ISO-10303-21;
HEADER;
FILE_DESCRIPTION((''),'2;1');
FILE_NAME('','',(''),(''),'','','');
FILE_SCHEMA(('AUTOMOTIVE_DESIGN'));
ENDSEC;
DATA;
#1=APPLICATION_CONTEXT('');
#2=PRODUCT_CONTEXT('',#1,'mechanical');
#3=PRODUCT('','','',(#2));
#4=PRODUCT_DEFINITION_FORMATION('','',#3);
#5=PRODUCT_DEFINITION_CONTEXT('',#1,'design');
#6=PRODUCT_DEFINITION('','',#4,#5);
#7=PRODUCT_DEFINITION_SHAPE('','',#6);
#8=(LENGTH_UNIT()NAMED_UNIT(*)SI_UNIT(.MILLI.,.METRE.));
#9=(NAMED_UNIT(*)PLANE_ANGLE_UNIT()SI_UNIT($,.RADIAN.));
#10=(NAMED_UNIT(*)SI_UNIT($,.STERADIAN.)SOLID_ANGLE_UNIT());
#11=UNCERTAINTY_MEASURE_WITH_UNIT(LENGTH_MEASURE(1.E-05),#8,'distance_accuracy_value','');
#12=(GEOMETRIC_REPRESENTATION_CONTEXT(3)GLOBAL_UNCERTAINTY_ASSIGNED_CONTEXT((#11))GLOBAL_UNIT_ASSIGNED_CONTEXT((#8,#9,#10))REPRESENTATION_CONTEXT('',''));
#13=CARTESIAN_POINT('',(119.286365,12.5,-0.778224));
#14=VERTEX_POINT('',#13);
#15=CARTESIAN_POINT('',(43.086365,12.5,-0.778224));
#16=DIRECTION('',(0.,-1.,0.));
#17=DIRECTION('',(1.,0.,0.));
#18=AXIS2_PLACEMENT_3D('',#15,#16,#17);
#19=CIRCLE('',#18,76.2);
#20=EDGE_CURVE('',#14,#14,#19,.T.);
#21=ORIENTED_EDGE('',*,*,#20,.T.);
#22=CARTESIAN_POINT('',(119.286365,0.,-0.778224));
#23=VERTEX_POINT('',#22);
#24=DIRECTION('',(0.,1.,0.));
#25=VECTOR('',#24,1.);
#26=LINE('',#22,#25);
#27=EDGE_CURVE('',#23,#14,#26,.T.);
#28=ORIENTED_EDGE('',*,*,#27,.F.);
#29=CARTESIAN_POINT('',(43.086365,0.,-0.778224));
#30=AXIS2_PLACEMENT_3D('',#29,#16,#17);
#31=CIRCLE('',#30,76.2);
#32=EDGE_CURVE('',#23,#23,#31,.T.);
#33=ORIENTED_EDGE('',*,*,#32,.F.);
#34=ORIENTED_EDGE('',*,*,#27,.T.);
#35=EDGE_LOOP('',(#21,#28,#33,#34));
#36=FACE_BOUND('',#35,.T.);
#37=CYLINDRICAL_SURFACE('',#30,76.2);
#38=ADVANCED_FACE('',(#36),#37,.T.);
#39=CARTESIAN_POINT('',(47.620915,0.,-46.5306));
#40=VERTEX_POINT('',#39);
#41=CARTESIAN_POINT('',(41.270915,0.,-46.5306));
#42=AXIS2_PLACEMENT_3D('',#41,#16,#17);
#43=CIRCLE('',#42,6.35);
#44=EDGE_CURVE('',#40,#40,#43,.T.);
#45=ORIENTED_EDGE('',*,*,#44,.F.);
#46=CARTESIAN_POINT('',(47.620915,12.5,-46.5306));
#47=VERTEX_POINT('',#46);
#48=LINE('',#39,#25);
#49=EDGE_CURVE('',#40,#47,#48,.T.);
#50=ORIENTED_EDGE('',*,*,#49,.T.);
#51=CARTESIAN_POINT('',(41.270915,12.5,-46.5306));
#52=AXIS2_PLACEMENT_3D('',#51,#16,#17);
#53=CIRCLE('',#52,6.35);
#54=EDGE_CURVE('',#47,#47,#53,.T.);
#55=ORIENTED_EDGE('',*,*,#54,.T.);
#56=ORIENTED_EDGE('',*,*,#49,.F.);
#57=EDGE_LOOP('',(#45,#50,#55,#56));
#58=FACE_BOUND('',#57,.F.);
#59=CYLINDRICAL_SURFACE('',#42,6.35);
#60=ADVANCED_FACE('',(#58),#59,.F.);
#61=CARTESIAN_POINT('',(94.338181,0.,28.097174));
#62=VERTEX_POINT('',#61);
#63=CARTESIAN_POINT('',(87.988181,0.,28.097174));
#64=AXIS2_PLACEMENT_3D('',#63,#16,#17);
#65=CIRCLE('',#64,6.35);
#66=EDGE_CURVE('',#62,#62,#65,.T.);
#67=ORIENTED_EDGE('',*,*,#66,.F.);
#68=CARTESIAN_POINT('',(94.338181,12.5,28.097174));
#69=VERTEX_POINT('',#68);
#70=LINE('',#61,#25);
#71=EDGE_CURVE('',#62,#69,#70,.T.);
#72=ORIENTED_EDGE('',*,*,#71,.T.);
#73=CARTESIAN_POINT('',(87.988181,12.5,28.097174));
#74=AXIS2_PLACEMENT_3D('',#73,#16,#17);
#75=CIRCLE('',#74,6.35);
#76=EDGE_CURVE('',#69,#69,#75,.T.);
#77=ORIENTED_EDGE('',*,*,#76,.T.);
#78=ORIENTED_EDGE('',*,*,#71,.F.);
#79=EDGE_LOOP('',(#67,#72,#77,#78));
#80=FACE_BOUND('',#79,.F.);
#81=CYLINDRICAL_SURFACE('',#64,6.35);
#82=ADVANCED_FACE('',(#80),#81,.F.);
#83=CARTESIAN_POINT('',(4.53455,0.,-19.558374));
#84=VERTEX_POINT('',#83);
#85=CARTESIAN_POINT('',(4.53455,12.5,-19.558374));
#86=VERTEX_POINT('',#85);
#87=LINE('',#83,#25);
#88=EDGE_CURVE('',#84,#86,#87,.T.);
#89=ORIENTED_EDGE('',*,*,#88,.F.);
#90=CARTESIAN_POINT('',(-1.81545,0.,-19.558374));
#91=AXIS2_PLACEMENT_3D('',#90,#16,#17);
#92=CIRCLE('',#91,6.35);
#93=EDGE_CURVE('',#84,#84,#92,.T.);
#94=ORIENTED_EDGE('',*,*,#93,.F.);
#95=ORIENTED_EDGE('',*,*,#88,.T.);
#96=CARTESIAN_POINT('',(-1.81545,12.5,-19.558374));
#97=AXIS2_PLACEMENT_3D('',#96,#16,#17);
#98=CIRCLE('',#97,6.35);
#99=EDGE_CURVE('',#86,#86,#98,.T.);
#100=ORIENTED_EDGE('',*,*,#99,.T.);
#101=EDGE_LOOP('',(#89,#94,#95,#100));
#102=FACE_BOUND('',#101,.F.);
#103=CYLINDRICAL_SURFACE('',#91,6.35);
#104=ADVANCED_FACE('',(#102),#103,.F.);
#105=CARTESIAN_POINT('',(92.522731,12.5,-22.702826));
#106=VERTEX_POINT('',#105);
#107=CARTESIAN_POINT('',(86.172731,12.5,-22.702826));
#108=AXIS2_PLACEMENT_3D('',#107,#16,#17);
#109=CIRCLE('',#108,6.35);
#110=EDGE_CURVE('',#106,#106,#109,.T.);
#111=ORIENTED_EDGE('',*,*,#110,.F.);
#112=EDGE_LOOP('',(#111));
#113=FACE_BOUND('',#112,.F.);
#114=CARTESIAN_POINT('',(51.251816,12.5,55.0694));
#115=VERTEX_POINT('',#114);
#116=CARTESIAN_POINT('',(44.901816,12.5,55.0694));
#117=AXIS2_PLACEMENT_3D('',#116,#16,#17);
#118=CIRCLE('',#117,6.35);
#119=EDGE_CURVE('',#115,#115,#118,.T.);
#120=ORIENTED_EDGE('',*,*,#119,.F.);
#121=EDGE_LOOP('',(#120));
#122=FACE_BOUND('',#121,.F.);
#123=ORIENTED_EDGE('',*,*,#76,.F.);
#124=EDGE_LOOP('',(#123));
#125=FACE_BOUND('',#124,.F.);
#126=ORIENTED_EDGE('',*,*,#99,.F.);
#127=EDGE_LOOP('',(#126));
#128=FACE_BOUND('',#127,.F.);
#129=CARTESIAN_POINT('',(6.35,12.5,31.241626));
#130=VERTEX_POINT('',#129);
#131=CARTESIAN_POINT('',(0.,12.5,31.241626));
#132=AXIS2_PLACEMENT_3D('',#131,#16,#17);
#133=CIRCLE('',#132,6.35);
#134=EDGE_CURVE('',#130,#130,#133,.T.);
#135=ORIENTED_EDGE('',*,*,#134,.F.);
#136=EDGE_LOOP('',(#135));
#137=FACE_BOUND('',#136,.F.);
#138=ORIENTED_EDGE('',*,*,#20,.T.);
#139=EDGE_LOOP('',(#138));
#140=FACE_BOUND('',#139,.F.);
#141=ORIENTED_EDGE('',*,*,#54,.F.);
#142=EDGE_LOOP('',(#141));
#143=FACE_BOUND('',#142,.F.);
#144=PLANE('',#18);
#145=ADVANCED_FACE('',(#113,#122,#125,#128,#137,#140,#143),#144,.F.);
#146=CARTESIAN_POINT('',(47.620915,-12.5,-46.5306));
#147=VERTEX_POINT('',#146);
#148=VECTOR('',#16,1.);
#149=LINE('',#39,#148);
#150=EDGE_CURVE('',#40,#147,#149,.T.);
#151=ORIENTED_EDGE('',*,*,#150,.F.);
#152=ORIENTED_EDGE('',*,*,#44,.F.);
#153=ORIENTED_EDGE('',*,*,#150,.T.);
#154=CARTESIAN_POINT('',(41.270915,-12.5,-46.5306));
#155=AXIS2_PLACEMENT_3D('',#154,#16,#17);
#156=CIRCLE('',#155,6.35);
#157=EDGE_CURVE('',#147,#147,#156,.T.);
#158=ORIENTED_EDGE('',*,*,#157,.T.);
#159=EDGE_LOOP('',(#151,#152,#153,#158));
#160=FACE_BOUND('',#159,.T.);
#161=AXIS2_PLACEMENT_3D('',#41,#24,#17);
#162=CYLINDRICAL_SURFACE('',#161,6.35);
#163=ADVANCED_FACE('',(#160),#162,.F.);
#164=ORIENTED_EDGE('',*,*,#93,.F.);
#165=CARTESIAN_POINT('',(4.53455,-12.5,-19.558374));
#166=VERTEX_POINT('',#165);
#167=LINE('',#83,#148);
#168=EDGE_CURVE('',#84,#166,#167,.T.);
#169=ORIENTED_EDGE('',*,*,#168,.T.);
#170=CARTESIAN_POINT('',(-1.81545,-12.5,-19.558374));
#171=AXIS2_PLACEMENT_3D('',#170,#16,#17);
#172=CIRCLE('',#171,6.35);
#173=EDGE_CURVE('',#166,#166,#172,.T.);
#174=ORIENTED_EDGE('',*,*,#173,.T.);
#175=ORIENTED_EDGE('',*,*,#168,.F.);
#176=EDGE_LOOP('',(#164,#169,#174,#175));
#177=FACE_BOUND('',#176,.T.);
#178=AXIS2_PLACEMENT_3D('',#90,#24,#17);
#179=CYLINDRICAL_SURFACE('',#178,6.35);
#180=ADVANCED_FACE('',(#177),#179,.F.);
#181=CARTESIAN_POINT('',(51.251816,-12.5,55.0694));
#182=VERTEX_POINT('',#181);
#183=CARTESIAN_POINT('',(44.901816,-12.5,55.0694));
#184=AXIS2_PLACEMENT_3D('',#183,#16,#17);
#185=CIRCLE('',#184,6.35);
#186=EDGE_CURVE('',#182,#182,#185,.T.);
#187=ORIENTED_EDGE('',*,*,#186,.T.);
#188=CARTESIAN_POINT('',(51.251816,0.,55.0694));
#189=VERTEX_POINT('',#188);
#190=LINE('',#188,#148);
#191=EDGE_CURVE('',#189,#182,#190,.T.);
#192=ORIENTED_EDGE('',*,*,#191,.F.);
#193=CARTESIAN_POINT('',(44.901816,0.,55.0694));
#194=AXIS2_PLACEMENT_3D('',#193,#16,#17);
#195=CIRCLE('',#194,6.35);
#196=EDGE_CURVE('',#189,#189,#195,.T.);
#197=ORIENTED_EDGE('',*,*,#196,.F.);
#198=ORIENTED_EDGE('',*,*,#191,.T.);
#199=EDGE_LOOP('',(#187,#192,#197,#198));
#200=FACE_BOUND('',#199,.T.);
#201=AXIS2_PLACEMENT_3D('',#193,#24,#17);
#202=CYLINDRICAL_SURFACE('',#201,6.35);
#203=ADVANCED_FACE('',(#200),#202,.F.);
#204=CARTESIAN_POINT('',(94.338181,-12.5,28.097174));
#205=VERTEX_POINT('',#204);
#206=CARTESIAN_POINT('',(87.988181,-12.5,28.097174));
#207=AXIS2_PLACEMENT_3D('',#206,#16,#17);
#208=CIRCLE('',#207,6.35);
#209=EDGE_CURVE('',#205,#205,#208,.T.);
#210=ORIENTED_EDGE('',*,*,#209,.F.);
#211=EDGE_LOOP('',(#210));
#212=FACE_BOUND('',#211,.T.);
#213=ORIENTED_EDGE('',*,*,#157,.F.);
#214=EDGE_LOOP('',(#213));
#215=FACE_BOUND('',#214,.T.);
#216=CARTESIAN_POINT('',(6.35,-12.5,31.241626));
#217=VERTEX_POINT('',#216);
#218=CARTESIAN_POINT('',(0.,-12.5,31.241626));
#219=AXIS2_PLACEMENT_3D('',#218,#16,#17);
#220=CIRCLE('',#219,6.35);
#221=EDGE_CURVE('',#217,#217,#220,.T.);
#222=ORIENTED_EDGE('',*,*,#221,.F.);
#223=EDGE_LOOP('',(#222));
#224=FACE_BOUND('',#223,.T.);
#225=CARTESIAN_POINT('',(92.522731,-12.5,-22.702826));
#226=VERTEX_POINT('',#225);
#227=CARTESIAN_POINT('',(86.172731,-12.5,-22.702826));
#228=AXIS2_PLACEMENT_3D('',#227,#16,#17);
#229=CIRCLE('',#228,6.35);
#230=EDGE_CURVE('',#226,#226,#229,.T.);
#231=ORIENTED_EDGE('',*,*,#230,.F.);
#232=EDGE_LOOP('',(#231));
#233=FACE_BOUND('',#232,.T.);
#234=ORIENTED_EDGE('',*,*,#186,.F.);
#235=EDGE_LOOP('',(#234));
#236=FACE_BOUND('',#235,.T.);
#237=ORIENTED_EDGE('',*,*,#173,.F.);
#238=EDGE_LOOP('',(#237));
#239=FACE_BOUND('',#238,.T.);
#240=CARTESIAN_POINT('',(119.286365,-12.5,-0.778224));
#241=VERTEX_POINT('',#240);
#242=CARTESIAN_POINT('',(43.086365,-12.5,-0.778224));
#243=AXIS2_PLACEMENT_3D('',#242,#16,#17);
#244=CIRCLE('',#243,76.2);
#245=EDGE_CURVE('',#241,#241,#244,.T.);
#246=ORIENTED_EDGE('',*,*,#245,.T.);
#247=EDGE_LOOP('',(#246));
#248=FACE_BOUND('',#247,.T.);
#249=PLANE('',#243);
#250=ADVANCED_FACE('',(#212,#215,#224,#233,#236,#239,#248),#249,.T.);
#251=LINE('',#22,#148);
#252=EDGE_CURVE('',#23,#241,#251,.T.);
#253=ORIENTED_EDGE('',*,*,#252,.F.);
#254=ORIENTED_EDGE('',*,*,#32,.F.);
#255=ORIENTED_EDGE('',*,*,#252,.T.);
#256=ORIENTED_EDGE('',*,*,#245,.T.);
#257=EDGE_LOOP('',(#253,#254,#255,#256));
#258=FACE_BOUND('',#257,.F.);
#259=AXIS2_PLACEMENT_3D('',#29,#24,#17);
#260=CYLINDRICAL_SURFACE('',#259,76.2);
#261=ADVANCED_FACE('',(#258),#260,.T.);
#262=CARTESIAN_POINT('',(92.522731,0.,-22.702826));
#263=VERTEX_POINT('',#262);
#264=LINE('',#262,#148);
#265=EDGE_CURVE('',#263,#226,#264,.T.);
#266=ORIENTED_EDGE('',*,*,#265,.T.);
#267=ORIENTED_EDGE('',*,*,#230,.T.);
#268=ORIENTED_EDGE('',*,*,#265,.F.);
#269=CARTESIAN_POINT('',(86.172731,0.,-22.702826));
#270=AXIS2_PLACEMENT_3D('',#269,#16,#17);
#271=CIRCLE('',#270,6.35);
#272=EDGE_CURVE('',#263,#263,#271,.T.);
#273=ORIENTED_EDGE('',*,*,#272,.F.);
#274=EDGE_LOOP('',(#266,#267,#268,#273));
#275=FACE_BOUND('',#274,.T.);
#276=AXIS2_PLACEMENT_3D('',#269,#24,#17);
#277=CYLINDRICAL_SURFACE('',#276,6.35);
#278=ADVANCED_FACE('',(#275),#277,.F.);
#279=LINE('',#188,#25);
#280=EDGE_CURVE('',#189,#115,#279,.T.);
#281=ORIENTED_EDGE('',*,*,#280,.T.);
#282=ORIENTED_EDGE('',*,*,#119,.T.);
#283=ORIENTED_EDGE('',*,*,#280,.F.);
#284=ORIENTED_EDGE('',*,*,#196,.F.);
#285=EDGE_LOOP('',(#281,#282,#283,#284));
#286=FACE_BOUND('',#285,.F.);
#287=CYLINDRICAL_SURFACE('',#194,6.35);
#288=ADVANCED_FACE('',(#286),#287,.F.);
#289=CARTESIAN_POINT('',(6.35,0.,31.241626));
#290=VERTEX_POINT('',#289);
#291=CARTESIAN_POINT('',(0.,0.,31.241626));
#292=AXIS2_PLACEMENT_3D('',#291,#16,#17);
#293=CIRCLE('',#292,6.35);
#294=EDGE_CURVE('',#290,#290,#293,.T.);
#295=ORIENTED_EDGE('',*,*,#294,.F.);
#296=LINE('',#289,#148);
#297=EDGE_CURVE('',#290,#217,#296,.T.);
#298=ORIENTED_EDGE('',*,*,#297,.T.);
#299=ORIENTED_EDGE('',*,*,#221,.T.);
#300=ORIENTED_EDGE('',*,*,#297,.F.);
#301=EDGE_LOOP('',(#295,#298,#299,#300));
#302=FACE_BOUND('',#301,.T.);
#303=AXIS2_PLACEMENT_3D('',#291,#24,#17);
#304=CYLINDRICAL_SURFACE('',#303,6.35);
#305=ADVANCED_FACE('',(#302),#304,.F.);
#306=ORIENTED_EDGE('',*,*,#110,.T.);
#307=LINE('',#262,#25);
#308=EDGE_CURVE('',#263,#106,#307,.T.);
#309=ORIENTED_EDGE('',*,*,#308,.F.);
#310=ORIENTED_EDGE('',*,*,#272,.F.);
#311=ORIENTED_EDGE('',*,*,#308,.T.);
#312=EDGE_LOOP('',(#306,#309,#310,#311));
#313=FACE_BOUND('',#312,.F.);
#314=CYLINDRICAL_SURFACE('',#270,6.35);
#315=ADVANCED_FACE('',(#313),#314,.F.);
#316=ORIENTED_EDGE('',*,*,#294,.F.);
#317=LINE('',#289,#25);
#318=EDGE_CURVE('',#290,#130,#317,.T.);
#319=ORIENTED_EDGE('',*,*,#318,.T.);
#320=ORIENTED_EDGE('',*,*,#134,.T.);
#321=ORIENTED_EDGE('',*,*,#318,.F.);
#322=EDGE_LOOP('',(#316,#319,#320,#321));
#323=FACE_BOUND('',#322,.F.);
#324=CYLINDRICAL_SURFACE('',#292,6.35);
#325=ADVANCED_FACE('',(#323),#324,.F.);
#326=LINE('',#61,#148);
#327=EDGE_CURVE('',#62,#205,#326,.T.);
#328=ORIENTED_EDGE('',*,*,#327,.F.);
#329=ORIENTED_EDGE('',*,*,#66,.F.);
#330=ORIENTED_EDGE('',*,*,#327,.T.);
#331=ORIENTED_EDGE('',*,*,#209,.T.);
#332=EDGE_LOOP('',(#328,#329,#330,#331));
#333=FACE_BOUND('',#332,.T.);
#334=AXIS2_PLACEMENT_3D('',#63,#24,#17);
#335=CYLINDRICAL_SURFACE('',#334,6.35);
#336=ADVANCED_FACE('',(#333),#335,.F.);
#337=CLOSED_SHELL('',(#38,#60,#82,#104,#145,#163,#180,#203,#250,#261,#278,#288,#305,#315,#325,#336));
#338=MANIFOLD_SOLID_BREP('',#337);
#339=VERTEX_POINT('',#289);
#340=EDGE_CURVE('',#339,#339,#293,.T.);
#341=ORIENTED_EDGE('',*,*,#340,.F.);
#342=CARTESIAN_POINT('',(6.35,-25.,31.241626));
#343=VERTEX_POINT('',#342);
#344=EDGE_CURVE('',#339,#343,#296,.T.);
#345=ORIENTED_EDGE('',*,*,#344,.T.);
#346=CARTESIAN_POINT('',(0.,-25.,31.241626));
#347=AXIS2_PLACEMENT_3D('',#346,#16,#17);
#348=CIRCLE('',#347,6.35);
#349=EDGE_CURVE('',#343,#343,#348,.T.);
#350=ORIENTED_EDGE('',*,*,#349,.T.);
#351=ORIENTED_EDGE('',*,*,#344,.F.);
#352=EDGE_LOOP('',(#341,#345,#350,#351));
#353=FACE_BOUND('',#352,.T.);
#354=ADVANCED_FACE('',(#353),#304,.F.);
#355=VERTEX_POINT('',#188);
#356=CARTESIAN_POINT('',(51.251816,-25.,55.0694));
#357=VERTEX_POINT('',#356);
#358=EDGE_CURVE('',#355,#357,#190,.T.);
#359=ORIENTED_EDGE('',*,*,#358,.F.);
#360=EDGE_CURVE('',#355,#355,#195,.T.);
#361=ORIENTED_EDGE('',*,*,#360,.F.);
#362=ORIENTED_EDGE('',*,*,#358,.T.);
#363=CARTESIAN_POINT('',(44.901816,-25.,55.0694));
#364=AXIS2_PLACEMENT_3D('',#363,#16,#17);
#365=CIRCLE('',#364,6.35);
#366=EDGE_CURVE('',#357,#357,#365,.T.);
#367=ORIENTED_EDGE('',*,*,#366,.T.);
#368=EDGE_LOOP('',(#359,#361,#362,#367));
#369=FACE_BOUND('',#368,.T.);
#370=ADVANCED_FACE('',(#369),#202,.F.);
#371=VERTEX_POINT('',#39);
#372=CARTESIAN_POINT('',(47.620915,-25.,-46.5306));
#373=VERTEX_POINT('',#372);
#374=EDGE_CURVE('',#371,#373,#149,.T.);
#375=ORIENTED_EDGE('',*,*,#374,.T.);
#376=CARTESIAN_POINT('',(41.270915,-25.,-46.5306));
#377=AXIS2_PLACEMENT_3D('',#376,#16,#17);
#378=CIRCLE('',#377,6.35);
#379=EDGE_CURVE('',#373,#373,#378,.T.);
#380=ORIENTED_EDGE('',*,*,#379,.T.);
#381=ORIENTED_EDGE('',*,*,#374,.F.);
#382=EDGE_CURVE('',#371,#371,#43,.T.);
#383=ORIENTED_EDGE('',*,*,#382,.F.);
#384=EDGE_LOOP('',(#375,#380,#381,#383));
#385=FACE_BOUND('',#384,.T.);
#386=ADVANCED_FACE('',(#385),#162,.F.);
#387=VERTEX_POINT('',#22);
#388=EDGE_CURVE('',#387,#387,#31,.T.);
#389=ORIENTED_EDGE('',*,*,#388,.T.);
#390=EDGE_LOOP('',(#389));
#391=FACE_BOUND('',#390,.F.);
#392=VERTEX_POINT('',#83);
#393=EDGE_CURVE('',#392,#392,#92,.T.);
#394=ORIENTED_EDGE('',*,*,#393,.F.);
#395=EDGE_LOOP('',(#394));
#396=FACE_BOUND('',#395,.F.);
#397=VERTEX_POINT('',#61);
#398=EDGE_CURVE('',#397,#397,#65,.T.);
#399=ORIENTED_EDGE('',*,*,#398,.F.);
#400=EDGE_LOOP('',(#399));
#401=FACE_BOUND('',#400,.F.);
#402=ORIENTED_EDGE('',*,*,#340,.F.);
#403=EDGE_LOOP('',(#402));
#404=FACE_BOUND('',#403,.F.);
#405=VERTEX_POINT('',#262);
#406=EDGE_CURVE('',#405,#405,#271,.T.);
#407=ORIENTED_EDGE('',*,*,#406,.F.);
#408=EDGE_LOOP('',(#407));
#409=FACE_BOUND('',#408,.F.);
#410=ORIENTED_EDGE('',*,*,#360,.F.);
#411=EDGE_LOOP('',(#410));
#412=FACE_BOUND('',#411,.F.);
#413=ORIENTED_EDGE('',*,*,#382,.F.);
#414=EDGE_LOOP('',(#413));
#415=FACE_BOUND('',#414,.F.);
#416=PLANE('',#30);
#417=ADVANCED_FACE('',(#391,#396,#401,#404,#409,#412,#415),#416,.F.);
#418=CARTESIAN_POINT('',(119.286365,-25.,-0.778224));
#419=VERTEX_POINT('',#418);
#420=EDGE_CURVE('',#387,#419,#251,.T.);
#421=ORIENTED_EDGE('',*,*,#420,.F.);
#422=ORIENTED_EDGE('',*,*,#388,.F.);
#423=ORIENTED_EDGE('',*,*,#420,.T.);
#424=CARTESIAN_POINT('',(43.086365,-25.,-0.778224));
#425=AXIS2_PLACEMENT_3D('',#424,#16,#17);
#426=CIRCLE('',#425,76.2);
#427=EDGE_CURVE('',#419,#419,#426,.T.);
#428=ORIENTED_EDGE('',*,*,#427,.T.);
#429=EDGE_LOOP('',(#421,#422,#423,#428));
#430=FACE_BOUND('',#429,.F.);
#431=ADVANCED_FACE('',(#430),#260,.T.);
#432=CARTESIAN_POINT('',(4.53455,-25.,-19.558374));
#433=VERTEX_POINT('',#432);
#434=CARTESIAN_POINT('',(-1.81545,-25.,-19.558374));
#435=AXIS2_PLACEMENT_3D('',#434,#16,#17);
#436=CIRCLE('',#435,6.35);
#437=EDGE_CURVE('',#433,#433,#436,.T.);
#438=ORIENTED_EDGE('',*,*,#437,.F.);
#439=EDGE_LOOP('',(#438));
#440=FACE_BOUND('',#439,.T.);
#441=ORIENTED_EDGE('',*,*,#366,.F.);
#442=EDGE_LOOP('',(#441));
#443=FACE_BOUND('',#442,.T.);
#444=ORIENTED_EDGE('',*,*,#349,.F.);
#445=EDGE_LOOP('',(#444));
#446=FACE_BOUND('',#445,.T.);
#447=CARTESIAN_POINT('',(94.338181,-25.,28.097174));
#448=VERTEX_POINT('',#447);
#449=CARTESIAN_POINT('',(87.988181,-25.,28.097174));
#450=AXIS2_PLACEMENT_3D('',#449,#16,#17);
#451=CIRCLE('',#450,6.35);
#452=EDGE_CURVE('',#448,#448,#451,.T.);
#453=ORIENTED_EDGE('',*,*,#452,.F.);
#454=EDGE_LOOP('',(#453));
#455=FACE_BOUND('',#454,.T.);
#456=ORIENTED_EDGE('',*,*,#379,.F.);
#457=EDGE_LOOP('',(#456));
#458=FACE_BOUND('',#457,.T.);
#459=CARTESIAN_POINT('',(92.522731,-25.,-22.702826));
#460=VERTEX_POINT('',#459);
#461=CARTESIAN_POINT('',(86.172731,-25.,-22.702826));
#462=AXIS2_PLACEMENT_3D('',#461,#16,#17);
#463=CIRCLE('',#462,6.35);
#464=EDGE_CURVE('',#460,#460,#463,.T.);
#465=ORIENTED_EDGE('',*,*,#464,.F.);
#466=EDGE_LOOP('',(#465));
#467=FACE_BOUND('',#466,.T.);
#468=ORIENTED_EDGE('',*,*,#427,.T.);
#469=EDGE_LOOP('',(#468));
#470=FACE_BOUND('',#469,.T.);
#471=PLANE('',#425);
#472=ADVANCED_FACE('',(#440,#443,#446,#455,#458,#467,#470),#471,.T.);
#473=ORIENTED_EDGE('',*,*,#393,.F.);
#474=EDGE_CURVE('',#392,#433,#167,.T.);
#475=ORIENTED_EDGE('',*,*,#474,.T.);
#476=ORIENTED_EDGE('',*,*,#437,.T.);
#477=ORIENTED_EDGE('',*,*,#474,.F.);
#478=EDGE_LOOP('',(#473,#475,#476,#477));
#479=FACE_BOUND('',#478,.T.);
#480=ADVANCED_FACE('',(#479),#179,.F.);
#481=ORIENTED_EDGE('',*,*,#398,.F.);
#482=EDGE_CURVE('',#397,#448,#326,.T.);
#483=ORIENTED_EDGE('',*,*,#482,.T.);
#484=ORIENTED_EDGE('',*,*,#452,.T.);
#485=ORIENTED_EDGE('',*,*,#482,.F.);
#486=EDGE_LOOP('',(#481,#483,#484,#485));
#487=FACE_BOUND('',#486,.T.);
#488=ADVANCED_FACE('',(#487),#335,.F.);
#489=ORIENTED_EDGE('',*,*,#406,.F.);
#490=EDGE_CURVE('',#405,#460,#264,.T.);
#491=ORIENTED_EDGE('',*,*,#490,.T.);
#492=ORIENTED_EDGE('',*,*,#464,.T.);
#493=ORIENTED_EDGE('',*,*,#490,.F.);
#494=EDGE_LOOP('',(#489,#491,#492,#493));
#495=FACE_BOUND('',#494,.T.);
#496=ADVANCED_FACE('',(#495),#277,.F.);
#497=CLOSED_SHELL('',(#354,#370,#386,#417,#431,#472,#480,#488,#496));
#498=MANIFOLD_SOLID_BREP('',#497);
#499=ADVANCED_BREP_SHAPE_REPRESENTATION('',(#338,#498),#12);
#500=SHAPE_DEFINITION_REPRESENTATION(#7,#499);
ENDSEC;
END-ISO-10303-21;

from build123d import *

# Parameters (mm, degrees)
F0_R     = 76.2
F0_R_2   = 6.35
F2_DEPTH = 25
F3_DEPTH = 12.5


with BuildPart() as f2:
    # F0 (on Front) → F2 (new body)
    with BuildSketch(Plane.XZ):
        with Locations((43.0863654652, -0.778224063)):
            Circle(F0_R)
        with Locations((41.2709153712, -46.5305998541)):
            Circle(F0_R_2, mode=Mode.SUBTRACT)
        with Locations((-1.8154500941, -19.5583739534)):
            Circle(F0_R_2, mode=Mode.SUBTRACT)
        with Locations((86.1727309304, -22.7028257549)):
            Circle(F0_R_2, mode=Mode.SUBTRACT)
        with Locations((0, 31.2416260466)):
            Circle(F0_R_2, mode=Mode.SUBTRACT)
        with Locations((87.9881810245, 28.0971742451)):
            Circle(F0_R_2, mode=Mode.SUBTRACT)
        with Locations((44.9018155593, 55.0694001459)):
            Circle(F0_R_2, mode=Mode.SUBTRACT)
    extrude(amount=F2_DEPTH)


with BuildPart() as f3:
    # F3 (new, symmetric): a face of the model
    f3_faces = [f2.part.faces().sort_by_distance(p)[0] for p in [
        (43.0863654652, 0, -0.9976859851),
    ]]
    extrude(f3_faces, amount=F3_DEPTH, both=True)


solid = Compound([f2.part, f3.part])
